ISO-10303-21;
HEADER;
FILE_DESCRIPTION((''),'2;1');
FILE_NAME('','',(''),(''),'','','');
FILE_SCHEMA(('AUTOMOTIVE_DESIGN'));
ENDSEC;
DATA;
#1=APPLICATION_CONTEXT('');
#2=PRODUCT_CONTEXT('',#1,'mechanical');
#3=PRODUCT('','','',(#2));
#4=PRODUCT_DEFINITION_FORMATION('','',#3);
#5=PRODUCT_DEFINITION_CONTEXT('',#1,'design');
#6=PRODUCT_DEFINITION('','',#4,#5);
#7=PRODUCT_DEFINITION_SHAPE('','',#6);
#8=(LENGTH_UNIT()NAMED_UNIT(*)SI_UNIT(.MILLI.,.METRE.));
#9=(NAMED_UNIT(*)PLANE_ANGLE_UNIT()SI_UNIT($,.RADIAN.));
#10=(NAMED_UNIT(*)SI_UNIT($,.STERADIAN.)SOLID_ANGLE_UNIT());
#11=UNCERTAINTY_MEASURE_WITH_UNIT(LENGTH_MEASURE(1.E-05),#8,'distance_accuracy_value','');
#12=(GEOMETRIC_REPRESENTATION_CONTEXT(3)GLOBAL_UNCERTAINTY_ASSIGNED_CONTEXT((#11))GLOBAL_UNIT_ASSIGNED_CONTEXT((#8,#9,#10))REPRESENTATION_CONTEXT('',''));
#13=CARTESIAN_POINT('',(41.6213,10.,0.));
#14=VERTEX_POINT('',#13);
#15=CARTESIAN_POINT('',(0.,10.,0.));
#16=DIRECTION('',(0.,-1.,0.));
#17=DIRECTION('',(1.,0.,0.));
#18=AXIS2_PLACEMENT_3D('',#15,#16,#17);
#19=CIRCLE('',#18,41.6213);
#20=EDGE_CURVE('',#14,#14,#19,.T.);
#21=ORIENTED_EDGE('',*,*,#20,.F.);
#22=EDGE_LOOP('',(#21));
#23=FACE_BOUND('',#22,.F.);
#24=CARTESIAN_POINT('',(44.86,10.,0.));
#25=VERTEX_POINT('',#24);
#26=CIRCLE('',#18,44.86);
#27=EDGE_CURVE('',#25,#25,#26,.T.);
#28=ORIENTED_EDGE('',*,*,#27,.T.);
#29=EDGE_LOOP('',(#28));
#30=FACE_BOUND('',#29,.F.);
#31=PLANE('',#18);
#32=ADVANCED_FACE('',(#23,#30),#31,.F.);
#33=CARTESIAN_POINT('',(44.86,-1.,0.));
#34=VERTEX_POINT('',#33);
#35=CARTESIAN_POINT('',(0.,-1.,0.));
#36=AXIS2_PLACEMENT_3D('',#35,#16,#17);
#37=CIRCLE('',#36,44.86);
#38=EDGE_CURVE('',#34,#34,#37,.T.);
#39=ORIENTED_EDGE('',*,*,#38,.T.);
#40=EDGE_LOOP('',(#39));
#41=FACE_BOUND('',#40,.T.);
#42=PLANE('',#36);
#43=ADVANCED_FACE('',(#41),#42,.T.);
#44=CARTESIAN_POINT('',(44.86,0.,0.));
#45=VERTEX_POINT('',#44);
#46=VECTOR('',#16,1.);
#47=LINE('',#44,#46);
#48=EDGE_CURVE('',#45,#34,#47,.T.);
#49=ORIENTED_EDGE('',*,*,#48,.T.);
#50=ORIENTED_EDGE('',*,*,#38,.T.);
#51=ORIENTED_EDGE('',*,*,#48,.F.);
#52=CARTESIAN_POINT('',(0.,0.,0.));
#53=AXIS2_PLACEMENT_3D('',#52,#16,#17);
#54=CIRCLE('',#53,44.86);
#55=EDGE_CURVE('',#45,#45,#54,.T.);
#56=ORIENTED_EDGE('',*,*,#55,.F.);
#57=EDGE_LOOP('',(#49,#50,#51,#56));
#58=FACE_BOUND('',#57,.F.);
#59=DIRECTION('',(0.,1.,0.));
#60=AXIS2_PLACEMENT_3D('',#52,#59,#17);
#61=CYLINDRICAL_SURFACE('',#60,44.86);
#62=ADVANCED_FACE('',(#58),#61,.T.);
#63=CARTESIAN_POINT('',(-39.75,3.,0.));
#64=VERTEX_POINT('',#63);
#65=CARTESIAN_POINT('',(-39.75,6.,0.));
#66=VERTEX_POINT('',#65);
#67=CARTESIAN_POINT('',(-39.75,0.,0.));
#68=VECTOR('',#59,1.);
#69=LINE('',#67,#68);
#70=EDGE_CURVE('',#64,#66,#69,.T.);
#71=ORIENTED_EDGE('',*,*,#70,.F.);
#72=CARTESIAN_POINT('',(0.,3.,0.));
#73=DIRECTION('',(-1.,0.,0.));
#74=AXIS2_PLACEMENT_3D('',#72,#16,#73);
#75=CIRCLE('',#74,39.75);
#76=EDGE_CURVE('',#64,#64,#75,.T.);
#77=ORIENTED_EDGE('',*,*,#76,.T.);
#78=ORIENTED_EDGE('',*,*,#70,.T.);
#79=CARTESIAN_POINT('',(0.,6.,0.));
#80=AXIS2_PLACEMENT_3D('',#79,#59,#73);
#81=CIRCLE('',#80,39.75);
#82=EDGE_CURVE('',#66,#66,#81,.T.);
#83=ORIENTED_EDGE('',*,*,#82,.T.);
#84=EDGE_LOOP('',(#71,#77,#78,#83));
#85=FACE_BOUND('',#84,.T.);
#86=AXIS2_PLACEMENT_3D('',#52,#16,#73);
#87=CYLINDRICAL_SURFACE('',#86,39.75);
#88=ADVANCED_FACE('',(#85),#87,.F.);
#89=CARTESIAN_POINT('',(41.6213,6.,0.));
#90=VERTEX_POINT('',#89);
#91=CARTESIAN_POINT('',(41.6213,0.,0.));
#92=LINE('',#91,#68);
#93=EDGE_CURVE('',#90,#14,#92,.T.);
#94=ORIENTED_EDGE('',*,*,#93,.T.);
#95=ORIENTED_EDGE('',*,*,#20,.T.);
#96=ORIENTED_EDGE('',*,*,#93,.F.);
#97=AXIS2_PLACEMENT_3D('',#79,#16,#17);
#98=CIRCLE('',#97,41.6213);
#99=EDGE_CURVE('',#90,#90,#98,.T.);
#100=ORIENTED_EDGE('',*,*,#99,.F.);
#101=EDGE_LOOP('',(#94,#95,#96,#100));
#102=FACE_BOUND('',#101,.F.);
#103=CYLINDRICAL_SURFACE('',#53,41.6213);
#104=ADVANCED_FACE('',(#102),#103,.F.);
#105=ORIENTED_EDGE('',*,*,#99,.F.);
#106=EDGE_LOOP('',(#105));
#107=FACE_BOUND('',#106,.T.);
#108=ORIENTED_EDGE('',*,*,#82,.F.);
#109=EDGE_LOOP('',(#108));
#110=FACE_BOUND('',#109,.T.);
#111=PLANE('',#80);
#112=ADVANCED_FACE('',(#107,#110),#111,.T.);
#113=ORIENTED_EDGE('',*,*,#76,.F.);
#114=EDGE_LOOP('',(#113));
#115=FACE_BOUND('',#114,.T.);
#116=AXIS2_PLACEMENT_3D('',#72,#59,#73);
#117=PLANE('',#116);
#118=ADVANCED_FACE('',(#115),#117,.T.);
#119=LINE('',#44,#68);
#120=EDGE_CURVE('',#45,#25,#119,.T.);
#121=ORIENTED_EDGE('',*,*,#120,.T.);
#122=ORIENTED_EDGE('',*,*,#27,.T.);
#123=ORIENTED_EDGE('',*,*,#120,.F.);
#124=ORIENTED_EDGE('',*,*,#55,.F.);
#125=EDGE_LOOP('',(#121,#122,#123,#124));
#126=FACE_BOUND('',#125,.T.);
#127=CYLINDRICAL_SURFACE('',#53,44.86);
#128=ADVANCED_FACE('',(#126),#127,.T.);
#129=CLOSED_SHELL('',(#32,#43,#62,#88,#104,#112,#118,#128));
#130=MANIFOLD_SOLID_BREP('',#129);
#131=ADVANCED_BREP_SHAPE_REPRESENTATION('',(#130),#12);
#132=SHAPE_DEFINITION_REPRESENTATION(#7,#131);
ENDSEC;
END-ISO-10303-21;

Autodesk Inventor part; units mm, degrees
ref_plane "YZ Plane" through (0, 0, 0) normal (1, 0, 0) x (0, 1, 0)
ref_plane "XZ Plane" through (0, 0, 0) normal (0, 1, 0) x (-1, 0, 0)
ref_plane "XY Plane" through (0, 0, 0) normal (0, 0, 1) x (1, 0, 0)
sketch "Sketch4" plane through (0, 0, 0) normal (0, 1, 0) x (-1, 0, 0)
  circle A0 centre (0, 0) radius 39.75
  circle A1 centre (0, 0) radius 41.745
  dimension "d17" = 79.5
  dimension "d18" = 83.49
sketch "Sketch6" plane through (0, 0, 0) normal (0, 1, 0) x (-1, 0, 0)
  circle A0 centre (0, 0) radius 39.7618
extrude "Extrusion1" add sketch "Sketch6" along normal blind 3
extrude "Extrusion2" add sketch "Sketch4" along normal blind 6
sketch "Sketch7" plane through (0, 0, 0) normal (0, -1, 0) x (1, 0, 0)
  circle A0 centre (0, 0) radius 44.86
  circle A1 centre (0, 0) radius 41.6213
extrude "Extrusion3" add sketch "Sketch7" against normal blind 10
sketch "Sketch8" plane through (0, 0, 0) normal (0, -1, 0) x (1, 0, 0)
  circle A0 centre (0, 0) radius 44.86
extrude "Extrusion4" add sketch "Sketch8" along normal blind 1
properties part number "Soft Coating Gripper mold"
